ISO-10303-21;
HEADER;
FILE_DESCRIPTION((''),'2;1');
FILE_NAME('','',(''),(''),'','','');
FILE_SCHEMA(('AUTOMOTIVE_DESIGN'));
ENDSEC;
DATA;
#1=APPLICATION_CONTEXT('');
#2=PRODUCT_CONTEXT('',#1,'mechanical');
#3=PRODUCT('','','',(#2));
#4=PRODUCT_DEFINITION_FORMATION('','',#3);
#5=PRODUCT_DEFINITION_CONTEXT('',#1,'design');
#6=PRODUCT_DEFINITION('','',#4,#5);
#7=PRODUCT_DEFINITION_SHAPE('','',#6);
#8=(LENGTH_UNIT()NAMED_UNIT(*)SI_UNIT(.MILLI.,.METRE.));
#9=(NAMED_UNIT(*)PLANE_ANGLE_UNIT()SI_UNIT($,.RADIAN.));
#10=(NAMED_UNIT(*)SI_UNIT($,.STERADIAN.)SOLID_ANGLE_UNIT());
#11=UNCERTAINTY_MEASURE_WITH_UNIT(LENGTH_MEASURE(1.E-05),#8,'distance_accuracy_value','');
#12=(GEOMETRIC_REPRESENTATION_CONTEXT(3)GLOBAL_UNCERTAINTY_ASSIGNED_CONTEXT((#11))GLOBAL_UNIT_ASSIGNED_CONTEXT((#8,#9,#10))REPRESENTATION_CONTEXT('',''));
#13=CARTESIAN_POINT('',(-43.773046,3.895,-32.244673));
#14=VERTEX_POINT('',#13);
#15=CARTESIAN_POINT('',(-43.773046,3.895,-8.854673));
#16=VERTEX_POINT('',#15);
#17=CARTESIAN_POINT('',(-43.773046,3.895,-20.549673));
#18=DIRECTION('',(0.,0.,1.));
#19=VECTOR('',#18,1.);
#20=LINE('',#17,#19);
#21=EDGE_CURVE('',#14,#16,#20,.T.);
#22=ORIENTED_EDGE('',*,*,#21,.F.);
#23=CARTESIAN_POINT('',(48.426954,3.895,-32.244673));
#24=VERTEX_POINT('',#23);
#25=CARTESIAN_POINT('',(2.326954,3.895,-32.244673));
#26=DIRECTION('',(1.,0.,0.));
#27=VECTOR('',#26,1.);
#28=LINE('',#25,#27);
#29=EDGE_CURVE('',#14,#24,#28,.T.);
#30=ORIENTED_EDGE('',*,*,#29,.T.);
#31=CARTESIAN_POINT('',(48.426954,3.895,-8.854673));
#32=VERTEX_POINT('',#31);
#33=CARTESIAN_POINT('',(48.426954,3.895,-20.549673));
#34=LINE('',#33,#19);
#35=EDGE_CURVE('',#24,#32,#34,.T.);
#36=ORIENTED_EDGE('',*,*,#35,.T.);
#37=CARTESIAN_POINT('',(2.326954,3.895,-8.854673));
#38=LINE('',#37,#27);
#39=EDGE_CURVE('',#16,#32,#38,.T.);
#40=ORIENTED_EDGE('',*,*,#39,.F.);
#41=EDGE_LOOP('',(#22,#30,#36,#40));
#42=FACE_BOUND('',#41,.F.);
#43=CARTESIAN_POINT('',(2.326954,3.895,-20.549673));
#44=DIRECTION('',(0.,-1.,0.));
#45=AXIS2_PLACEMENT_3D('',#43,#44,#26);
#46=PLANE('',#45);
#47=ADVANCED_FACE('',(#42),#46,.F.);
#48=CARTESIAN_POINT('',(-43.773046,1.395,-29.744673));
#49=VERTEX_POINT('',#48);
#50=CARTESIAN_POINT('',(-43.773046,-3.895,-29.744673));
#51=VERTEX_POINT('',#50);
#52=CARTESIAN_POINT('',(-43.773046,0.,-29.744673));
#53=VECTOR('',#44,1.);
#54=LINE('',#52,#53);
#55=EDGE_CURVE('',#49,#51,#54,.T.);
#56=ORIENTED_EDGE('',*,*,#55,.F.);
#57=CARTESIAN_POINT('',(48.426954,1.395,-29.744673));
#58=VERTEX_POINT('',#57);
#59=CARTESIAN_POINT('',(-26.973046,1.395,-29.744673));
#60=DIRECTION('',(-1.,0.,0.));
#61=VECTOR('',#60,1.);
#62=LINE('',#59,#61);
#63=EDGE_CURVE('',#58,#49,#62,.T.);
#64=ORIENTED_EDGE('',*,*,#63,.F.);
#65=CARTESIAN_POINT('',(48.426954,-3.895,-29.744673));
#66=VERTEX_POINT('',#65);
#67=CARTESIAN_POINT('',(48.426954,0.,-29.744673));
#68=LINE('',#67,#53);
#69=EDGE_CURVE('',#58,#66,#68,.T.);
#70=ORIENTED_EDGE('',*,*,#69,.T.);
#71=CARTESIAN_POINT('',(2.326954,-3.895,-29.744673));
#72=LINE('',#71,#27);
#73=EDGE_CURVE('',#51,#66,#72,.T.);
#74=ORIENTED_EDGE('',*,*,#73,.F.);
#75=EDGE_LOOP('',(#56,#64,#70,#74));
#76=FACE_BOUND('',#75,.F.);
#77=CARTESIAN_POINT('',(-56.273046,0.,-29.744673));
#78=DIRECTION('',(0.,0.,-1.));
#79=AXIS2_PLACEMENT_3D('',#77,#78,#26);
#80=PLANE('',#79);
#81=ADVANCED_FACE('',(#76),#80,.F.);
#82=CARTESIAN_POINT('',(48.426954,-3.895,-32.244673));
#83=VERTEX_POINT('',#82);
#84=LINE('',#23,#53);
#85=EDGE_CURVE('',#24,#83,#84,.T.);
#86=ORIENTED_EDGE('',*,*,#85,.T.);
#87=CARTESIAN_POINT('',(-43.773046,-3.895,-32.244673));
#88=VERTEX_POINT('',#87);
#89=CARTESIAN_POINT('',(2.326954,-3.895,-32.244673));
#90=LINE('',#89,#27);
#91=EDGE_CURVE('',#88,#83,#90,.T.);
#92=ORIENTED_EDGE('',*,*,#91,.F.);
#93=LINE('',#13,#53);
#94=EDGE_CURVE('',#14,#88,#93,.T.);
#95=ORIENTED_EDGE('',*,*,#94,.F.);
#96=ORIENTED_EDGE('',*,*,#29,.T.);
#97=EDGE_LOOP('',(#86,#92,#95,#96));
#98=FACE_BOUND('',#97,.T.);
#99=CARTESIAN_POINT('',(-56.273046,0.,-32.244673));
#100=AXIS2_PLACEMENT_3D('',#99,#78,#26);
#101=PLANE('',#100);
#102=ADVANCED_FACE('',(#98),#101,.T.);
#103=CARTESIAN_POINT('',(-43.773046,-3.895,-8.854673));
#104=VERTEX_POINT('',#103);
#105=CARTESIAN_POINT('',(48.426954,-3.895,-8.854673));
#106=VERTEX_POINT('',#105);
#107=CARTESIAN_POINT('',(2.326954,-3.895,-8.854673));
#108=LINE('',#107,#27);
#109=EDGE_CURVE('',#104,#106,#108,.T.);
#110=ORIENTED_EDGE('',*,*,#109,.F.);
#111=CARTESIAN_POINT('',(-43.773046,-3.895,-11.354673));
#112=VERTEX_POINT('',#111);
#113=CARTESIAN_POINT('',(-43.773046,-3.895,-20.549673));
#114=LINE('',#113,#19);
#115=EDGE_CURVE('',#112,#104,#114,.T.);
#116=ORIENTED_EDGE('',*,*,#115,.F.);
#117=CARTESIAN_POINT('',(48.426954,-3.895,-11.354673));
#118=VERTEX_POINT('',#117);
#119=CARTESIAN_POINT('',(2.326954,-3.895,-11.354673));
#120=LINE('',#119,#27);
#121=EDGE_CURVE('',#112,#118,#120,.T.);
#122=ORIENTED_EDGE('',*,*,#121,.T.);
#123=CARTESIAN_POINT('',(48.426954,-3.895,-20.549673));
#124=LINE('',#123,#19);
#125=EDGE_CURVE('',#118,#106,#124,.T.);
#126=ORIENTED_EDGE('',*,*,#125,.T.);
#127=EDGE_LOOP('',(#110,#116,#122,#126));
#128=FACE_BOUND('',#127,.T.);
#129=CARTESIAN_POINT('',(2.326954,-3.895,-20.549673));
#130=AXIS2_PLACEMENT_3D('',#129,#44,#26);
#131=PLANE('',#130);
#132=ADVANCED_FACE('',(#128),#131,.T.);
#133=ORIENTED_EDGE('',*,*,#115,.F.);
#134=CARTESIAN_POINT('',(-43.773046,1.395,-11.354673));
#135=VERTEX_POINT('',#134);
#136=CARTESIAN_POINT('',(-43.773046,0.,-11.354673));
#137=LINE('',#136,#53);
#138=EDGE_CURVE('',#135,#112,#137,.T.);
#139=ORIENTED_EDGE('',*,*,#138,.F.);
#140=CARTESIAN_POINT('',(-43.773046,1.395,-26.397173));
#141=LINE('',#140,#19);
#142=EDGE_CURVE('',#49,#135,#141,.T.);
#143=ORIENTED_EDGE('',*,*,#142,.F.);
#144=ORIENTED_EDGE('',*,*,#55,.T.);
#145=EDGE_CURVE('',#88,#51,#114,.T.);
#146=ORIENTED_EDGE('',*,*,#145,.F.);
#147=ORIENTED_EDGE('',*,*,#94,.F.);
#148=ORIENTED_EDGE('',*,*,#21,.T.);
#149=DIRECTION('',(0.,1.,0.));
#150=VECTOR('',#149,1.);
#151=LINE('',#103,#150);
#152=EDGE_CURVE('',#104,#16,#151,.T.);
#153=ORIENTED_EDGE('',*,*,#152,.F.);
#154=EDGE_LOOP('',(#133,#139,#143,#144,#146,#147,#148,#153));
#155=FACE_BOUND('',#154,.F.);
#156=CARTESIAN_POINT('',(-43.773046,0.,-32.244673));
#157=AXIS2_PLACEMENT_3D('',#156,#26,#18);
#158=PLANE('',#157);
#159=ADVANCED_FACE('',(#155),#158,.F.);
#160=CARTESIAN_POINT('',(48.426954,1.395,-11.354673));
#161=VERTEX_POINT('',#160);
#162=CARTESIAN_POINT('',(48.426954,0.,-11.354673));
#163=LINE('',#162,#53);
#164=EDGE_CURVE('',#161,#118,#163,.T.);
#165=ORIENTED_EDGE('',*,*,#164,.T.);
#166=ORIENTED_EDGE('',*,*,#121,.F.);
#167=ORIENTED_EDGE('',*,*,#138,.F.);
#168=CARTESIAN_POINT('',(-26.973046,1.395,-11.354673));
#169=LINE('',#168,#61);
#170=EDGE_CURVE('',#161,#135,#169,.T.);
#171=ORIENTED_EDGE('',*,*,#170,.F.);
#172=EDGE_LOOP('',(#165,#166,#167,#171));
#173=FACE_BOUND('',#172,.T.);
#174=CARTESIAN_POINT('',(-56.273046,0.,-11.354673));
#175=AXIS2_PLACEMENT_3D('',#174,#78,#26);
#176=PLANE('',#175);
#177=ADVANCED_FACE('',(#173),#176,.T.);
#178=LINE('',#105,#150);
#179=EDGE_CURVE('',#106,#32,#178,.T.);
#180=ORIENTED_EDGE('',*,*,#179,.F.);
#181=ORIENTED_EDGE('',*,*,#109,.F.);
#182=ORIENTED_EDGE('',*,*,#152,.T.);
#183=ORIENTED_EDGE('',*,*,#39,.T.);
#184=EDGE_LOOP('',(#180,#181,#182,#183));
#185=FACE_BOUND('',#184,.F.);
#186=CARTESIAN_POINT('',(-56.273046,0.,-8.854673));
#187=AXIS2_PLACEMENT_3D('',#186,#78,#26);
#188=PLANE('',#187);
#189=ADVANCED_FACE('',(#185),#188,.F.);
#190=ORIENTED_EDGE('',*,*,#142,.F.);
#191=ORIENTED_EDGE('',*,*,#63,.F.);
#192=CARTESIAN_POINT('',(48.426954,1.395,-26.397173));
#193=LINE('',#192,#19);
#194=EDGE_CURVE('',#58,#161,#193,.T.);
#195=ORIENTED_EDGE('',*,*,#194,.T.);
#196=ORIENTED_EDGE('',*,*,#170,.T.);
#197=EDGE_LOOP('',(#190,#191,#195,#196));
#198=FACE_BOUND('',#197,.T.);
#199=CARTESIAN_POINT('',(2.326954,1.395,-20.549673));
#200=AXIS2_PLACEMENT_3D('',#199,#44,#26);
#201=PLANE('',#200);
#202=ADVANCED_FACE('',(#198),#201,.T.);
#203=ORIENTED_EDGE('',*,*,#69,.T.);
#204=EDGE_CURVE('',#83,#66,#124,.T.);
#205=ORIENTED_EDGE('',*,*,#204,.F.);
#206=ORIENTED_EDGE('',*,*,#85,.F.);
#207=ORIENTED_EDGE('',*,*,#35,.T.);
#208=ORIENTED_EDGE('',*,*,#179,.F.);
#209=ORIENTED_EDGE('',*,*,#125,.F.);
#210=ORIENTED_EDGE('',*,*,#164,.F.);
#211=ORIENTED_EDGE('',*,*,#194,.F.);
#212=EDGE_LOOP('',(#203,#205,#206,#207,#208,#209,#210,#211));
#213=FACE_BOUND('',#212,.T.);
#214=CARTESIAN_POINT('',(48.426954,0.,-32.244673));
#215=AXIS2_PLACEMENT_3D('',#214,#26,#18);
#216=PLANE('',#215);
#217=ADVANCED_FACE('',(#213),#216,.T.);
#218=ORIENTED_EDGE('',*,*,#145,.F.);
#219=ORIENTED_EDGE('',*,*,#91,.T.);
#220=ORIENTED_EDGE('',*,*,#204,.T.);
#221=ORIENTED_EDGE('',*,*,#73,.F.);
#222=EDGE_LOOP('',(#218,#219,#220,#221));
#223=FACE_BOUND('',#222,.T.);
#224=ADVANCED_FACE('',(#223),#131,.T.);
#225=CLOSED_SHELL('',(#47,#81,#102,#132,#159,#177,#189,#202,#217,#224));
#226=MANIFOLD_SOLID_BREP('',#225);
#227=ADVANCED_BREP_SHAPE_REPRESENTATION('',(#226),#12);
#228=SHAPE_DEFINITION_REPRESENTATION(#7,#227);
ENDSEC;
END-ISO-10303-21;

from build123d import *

# Parameters (mm, degrees)
F0_W     = 117.2
F0_H     = 23.39
F1_DEPTH = 3.895
F2_T     = -2.5
F3_DEPTH = 12.5
F4_DEPTH = 12.5


with BuildPart() as f1:
    # F0 (on Front) → F1 (new body, symmetric)
    with BuildSketch(Plane.XZ):
        with Locations((2.3269541562, -20.5496732644)):
            Rectangle(F0_W, F0_H)
    extrude(amount=F1_DEPTH, both=True)

    # F2
    f2_openings = [f1.faces().sort_by_distance(p)[0] for p in [
        (2.326954, -3.895, -20.549673),
    ]]
    offset(amount=F2_T, openings=f2_openings)

    # F3 (cut, symmetric): a face of the model
    f3_faces = [f1.faces().sort_by_distance(p)[0] for p in [
        (60.9269541562, 0, -20.5496732644),
    ]]
    extrude(f3_faces, amount=F3_DEPTH, both=True, mode=Mode.SUBTRACT)

    # F4 (cut, symmetric): a face of the model
    f4_faces = [f1.faces().sort_by_distance(p)[0] for p in [
        (-56.2730458438, 0, -20.5496732644),
    ]]
    extrude(f4_faces, amount=F4_DEPTH, both=True, mode=Mode.SUBTRACT)


solid = f1.part
